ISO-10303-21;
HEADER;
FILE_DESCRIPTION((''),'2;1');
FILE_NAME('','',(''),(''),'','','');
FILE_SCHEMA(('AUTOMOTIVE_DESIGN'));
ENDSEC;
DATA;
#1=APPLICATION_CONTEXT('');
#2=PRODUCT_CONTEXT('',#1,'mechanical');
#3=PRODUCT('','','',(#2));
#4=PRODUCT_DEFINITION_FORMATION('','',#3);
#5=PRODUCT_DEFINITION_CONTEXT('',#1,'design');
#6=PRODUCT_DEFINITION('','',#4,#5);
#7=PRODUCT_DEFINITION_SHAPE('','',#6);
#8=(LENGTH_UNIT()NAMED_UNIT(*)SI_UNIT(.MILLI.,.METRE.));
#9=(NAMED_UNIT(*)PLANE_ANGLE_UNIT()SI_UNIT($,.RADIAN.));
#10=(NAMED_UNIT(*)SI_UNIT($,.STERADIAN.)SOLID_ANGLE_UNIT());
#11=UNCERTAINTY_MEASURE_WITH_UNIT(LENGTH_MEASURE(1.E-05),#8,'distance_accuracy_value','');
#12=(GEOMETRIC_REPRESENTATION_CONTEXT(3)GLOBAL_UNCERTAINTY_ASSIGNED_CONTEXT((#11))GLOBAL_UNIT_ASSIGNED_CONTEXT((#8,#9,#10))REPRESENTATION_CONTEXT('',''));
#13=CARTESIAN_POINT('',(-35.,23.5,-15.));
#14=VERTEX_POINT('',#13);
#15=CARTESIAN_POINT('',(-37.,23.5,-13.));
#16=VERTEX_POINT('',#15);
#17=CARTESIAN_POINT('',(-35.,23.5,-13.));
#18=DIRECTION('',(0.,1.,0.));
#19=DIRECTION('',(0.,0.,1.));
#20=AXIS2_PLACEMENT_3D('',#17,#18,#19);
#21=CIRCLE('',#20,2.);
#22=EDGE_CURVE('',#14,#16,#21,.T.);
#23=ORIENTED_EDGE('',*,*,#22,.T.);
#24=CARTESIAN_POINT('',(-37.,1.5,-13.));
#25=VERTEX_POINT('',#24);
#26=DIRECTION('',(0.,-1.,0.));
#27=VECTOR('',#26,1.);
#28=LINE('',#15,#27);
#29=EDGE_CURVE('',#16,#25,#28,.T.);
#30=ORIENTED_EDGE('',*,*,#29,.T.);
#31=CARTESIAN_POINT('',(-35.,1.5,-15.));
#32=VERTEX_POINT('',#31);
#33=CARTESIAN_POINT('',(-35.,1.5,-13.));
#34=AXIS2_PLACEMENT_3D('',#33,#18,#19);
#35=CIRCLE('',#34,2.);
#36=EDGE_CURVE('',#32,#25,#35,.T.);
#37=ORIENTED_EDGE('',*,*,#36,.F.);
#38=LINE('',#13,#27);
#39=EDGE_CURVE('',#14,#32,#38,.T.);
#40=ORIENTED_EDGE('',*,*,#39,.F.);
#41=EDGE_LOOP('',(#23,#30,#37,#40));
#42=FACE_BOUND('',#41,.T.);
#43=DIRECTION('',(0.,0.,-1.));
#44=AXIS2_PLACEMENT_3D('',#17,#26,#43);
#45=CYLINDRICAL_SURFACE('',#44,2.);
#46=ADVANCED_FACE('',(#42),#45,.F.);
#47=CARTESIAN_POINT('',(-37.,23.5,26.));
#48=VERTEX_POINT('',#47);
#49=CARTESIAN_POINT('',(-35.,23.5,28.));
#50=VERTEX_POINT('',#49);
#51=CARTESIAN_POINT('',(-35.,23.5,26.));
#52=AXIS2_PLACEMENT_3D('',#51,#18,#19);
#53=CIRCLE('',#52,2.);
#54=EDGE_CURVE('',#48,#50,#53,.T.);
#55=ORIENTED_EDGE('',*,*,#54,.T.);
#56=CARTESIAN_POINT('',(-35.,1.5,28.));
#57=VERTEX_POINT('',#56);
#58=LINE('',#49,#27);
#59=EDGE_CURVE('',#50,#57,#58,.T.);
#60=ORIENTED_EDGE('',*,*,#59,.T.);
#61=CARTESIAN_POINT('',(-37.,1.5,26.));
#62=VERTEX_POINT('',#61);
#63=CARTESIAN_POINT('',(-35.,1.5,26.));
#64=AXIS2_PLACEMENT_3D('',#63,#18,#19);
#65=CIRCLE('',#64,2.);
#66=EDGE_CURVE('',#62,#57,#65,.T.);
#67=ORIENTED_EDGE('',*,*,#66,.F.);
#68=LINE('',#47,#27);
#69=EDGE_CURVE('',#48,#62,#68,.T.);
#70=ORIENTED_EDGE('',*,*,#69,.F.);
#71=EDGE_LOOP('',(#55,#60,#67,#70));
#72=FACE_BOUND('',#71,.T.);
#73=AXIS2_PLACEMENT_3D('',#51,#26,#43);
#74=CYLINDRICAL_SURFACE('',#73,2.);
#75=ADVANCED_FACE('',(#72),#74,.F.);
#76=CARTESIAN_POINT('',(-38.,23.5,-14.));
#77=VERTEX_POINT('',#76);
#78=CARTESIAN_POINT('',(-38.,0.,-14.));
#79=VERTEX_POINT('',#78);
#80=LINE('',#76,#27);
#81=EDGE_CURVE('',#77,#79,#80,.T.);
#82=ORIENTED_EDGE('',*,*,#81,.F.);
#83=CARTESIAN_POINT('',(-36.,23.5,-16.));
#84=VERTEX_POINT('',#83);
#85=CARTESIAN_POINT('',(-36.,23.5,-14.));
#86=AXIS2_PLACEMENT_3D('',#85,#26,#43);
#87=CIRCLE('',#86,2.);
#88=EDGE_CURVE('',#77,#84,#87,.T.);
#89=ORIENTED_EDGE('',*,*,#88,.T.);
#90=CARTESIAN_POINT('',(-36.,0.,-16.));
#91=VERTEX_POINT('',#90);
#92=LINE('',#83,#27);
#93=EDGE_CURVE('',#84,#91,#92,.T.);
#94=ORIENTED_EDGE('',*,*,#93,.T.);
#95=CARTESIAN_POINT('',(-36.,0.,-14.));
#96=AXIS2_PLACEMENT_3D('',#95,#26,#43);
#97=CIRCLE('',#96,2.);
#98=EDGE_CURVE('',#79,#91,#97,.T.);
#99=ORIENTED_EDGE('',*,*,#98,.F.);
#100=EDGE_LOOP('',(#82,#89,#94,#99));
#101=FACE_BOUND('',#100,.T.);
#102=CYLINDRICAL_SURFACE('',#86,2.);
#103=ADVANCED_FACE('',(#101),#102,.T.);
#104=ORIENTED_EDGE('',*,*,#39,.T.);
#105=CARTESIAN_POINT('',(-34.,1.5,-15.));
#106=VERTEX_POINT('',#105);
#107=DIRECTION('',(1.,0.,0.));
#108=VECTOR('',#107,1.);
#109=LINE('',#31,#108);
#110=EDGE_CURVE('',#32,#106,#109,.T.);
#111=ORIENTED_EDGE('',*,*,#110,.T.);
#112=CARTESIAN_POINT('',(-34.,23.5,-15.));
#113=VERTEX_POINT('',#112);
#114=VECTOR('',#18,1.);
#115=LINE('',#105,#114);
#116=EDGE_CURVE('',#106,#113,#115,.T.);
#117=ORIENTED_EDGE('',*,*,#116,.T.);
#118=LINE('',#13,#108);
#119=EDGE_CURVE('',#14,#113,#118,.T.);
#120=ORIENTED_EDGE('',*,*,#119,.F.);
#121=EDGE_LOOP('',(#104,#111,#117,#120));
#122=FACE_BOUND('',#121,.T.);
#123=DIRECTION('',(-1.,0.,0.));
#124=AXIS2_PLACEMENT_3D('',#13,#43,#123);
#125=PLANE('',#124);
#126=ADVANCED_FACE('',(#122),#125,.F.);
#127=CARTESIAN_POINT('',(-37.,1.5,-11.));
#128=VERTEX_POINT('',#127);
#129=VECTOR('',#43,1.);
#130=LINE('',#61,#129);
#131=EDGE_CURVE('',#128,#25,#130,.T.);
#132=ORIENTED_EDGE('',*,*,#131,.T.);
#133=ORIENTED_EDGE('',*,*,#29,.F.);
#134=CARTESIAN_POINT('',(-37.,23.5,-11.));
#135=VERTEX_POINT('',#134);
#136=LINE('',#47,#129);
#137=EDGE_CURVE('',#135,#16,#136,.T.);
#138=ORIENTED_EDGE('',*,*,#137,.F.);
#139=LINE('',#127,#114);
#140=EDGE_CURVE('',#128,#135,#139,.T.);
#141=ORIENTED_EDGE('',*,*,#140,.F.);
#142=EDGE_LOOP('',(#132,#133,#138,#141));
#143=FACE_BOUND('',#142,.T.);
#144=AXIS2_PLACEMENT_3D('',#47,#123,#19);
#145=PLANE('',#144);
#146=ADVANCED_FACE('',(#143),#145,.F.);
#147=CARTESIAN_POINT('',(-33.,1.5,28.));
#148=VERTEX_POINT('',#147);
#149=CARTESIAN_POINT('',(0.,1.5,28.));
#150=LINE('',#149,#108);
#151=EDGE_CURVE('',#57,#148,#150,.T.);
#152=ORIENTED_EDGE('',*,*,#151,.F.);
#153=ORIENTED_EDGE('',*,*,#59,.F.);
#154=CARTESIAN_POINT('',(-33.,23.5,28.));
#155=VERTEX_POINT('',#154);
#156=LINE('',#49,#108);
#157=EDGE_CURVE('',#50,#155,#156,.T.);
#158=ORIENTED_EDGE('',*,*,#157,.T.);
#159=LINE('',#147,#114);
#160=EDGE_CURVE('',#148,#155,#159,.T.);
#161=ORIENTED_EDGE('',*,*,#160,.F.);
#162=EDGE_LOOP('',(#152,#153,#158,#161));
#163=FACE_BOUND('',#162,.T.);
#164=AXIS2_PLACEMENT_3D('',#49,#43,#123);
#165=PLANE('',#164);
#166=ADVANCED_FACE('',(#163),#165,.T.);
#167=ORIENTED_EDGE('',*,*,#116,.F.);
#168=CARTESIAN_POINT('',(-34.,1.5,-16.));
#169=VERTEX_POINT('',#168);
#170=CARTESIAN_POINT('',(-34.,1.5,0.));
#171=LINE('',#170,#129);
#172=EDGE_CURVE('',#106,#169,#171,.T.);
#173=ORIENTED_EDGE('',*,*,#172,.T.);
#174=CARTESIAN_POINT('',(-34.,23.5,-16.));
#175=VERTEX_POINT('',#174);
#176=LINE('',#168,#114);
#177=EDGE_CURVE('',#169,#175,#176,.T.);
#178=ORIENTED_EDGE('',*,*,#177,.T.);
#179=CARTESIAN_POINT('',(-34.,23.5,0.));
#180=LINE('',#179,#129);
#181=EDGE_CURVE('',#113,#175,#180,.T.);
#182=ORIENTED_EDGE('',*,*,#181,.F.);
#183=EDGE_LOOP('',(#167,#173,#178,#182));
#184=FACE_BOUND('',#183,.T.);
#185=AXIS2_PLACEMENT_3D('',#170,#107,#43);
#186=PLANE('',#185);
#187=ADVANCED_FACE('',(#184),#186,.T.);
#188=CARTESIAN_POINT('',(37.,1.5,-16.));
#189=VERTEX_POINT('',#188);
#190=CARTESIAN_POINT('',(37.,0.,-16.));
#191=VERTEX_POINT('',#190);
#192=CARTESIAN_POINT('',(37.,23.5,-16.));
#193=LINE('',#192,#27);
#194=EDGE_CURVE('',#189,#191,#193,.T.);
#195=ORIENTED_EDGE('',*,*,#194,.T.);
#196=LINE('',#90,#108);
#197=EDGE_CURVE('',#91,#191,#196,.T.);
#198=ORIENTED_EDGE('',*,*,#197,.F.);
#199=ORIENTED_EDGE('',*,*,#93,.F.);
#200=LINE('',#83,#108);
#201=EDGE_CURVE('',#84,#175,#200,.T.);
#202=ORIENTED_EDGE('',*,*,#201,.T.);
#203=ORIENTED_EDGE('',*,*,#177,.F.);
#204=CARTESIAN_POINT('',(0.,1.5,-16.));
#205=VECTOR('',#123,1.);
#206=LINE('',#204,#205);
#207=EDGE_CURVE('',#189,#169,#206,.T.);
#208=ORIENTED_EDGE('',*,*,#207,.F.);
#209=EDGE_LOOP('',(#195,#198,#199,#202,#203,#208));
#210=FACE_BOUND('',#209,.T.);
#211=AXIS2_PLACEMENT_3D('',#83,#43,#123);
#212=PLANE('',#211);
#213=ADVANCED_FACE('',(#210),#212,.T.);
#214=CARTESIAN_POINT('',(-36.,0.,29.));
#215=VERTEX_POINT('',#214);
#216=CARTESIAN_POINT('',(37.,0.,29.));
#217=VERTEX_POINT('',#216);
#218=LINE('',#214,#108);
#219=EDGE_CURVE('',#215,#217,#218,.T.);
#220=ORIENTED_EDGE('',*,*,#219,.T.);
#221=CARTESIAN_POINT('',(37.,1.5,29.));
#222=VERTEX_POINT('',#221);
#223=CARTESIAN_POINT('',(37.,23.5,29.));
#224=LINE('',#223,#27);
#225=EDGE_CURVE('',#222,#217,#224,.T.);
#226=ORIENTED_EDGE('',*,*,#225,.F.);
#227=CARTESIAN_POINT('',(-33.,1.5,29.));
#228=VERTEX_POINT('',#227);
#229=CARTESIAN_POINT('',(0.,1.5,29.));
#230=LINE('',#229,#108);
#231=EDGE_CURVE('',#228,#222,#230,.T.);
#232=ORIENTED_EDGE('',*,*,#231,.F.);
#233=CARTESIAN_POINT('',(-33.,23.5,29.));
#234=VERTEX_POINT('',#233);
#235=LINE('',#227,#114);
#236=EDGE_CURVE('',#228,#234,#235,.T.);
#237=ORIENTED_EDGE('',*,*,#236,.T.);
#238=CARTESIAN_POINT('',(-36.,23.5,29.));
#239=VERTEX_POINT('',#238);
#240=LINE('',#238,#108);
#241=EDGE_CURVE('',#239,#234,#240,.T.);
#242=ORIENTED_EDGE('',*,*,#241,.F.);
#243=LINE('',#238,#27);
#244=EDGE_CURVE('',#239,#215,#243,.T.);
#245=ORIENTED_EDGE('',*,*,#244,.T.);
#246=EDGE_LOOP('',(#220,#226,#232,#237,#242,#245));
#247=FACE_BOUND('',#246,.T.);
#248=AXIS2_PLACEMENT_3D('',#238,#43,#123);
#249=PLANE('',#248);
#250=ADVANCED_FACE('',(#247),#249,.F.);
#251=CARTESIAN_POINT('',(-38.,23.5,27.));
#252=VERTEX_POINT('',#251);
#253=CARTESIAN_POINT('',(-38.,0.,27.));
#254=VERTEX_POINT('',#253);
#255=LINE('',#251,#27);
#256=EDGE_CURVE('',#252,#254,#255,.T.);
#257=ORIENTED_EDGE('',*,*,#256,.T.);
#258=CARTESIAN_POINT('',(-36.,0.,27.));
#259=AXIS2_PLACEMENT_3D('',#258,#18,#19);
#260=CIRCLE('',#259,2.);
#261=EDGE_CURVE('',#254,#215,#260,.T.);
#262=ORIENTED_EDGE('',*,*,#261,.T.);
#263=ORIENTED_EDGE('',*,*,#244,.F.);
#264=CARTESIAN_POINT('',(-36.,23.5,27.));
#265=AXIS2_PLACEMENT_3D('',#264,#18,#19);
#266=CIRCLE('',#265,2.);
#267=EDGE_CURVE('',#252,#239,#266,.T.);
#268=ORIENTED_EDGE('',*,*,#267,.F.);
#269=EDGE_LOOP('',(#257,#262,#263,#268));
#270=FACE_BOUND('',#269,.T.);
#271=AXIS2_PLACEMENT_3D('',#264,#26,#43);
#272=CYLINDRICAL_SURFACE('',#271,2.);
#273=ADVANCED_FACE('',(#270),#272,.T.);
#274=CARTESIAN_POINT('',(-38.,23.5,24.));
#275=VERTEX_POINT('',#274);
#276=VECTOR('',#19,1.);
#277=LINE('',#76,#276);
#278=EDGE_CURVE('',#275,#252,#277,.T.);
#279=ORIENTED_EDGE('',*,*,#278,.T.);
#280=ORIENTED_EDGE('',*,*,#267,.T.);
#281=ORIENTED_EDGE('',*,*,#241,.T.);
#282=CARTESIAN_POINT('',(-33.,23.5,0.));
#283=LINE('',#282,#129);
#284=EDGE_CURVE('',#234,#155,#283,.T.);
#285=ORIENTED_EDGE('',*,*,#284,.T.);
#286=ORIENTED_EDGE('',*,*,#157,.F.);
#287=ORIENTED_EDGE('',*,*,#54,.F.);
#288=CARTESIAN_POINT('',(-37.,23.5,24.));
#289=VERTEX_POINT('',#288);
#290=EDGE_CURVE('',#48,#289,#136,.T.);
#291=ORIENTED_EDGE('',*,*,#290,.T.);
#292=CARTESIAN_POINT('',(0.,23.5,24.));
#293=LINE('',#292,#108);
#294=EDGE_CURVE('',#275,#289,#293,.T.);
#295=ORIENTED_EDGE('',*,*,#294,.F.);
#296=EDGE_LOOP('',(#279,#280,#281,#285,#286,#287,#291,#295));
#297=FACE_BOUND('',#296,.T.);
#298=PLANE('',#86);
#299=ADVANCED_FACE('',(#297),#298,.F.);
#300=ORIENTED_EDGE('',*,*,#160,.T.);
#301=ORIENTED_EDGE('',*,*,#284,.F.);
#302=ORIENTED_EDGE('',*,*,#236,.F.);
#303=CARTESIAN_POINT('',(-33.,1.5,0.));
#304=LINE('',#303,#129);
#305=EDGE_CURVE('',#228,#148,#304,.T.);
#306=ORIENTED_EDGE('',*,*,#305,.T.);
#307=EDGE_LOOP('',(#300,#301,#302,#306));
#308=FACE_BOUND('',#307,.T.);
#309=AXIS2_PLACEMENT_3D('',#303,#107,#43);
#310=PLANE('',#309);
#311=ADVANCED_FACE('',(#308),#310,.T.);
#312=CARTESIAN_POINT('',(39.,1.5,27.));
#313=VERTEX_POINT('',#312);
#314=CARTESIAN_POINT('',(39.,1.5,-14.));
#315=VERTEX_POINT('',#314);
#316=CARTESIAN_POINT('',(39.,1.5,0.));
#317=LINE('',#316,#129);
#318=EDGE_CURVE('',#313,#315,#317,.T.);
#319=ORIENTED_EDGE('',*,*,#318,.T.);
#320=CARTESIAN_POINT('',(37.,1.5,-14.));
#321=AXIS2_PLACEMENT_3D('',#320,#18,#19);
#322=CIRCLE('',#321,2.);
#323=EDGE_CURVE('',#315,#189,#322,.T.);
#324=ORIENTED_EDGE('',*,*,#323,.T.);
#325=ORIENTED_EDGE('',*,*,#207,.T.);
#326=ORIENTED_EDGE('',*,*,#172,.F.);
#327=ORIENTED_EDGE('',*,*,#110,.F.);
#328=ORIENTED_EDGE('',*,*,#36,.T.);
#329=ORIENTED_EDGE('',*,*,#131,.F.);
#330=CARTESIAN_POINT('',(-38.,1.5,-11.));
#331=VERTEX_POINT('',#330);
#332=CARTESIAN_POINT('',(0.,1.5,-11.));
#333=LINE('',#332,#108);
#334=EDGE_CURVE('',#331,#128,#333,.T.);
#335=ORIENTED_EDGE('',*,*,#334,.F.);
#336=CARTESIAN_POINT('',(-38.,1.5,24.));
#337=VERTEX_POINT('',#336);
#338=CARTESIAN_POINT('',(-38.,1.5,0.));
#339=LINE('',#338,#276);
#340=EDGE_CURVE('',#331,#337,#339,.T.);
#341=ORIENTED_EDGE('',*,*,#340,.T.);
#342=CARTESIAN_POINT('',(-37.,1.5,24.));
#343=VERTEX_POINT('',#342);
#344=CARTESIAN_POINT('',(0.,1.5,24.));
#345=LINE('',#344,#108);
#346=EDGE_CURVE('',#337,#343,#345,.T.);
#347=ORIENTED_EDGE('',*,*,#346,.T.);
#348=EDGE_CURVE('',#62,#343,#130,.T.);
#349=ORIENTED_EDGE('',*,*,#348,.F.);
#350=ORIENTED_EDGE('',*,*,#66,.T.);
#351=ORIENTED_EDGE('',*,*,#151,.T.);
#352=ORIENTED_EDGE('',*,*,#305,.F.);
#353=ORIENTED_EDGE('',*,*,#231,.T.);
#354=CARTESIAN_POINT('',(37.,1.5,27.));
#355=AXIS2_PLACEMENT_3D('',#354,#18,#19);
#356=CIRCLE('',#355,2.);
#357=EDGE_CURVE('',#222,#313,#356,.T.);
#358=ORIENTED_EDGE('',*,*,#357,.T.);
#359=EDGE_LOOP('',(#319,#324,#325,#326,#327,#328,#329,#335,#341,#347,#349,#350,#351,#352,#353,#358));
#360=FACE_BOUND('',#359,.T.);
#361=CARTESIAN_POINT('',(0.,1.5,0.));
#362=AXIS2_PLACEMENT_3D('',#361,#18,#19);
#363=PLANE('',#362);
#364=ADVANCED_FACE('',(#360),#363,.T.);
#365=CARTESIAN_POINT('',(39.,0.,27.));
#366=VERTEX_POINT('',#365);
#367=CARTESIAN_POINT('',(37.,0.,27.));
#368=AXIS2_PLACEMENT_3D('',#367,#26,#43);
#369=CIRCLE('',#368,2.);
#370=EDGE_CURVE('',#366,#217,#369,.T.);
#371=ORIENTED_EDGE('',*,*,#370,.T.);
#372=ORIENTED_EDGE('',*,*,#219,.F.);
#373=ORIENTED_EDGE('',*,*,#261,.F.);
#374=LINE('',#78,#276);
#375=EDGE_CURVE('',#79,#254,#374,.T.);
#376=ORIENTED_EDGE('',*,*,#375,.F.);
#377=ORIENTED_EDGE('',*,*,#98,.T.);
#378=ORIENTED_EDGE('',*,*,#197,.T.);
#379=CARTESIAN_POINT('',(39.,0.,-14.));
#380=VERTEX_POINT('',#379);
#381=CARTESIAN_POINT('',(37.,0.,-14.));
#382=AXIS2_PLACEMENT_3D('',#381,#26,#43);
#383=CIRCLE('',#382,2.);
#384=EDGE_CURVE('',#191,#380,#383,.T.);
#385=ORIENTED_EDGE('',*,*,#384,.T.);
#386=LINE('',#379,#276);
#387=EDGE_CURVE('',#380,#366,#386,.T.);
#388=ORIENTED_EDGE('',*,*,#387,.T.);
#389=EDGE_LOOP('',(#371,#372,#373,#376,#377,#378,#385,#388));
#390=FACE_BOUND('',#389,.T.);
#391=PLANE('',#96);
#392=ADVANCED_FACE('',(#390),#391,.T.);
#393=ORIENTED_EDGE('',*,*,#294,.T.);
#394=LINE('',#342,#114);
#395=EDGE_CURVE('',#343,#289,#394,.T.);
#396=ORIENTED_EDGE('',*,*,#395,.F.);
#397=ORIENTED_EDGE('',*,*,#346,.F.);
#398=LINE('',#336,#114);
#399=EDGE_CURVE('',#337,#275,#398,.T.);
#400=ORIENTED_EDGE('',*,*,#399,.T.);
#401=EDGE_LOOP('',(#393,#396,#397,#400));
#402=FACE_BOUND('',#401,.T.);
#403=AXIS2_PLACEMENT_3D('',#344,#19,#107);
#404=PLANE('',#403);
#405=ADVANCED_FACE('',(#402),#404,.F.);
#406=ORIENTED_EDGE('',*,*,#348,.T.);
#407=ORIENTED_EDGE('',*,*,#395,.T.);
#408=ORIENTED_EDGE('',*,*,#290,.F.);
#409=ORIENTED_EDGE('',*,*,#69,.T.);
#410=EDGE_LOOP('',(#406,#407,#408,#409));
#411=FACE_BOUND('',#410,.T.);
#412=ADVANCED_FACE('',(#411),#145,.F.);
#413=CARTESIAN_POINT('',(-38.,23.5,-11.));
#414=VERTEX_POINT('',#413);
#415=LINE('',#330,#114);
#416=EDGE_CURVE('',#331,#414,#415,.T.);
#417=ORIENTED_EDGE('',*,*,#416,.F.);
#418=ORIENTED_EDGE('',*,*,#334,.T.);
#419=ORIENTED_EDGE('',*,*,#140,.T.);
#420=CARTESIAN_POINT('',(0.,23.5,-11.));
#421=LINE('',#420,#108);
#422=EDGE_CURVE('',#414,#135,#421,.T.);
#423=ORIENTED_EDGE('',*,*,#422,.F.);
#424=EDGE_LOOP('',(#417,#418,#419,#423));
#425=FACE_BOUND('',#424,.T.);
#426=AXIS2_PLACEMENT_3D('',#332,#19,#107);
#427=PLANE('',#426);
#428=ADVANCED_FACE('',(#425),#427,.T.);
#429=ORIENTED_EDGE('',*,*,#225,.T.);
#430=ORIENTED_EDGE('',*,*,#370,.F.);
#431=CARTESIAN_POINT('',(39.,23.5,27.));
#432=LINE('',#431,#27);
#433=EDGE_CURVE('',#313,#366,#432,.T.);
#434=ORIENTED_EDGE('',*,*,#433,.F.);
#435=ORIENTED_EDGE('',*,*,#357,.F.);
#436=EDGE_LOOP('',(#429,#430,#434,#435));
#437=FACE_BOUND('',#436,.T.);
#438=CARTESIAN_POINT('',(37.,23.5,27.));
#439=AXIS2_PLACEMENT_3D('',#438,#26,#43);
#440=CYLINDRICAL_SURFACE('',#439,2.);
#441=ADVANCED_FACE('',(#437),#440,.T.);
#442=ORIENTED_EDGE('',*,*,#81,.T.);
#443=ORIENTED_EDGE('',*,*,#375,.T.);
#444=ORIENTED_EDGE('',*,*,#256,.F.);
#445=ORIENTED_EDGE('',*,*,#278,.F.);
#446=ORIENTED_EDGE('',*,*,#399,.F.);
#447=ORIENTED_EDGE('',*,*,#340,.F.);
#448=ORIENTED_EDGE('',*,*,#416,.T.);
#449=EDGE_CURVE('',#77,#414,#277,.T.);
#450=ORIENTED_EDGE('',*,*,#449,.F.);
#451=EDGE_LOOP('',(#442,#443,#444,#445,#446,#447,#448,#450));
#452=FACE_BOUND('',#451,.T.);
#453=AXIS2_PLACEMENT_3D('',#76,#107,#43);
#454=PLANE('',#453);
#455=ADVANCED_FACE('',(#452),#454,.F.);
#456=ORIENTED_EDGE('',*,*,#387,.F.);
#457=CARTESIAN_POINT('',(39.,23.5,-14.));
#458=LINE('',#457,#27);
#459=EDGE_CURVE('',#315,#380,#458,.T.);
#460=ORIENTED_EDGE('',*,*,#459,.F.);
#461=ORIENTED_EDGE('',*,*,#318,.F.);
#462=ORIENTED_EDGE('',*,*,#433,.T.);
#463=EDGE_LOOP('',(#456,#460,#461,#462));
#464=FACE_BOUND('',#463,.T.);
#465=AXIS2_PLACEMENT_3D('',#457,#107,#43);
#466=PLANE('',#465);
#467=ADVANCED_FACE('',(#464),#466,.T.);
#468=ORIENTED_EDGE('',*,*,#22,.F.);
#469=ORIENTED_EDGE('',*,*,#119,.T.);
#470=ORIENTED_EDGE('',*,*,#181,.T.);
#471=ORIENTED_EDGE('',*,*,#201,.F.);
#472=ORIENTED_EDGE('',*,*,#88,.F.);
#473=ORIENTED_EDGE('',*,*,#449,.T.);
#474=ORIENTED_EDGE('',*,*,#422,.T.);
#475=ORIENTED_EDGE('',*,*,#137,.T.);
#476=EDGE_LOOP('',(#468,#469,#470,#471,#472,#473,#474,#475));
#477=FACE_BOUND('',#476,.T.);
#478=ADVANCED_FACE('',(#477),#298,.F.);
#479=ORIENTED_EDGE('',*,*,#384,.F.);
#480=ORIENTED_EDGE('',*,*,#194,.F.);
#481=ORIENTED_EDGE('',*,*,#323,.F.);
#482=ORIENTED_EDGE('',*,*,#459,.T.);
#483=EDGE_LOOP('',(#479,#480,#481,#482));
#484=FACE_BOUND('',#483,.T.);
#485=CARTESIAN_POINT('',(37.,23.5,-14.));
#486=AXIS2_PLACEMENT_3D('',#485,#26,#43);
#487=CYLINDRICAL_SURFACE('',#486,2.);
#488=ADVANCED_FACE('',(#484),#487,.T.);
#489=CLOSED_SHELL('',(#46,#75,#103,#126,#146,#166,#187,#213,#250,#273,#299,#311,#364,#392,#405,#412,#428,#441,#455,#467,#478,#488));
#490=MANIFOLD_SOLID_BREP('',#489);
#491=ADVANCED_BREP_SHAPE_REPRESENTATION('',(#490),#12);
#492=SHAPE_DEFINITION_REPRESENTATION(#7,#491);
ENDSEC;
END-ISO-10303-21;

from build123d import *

# Parameters (mm, degrees)
EXTRUDE_1_DEPTH     = 23.5
EXTRUDE_2_DEPTH     = 1.5
SKETCH_6_W          = 1
SKETCH_6_H          = 35
SKETCH_6_W_2        = 69
SKETCH_6_H_2        = 1
SKETCH_6_W_3        = 67
SKETCH_6_H_3        = 37
CUT_EXTRUDE_1_DEPTH = 22
CUT_EXTRUDE_START   = -22
CUT_EXTRUDE_2_DEPTH = 22


with BuildPart() as part:
    # Эскиз3 → Бобышка-Вытянуть1 (new body)
    with BuildSketch(Plane(origin=(0, 0, 0), x_dir=(1, 0, 0), z_dir=(0, 1, 0))):
        with BuildLine():
            Line((-36, 16), (37, 16))
            ThreePointArc((37, 16), (38.414213562, 15.414213562), (39, 14))
            Line((39, 14), (39, -27))
            ThreePointArc((39, -27), (38.414213562, -28.414213562), (37, -29))
            Line((37, -29), (-36, -29))
            ThreePointArc((-36, -29), (-37.414213562, -28.414213562), (-38, -27))
            Line((-38, -27), (-38, 14))
            ThreePointArc((-38, 14), (-37.414213562, 15.414213562), (-36, 16))
        make_face()
        with BuildLine():
            Line((-35, -28), (36, -28))
            ThreePointArc((36, -28), (37.414213562, -27.414213562), (38, -26))
            Line((38, -26), (38, 13))
            ThreePointArc((38, 13), (37.414213562, 14.414213562), (36, 15))
            Line((36, 15), (-35, 15))
            ThreePointArc((-35, 15), (-36.414213562, 14.414213562), (-37, 13))
            Line((-37, 13), (-37, -26))
            ThreePointArc((-37, -26), (-36.414213562, -27.414213562), (-35, -28))
        make_face(mode=Mode.SUBTRACT)
    extrude(amount=EXTRUDE_1_DEPTH)

    # Эскиз3<3> → Бобышка-Вытянуть2 (add)
    with BuildSketch(Plane(origin=(0, 0, 0), x_dir=(1, 0, 0), z_dir=(0, 1, 0))):
        with BuildLine():
            Line((35, 16), (-34, 16))
            Line((-34, 16), (-34, 15))
            Line((-34, 15), (-35, 15))
            ThreePointArc((-35, 15), (-36.414213562, 14.414213562), (-37, 13))
            Line((-37, 13), (-37, 11))
            Line((-37, 11), (-38, 11))
            Line((-38, 11), (-38, -24))
            Line((-38, -24), (-37, -24))
            Line((-37, -24), (-37, -26))
            ThreePointArc((-37, -26), (-36.414213562, -27.414213562), (-35, -28))
            Line((-35, -28), (-33, -28))
            Line((-33, -28), (-33, -29))
            Line((-33, -29), (34, -29))
            Line((34, -29), (34, -28))
            Line((34, -28), (36, -28))
            ThreePointArc((36, -28), (37.414213562, -27.414213562), (38, -26))
            Line((38, -26), (38, -25))
            Line((38, -25), (39, -25))
            Line((39, -25), (39, 12))
            Line((39, 12), (38, 12))
            Line((38, 12), (38, 13))
            ThreePointArc((38, 13), (37.414213562, 14.414213562), (36, 15))
            Line((36, 15), (35, 15))
            Line((35, 15), (35, 16))
        make_face()
    extrude(amount=EXTRUDE_2_DEPTH)

    # Эскиз6 → Вырез-Вытянуть1 (cut)
    with BuildSketch(Plane(origin=(0, 23.5, 0), x_dir=(1, 0, 0), z_dir=(0, 1, 0))):
        with Locations((-37.5, -6.5)):
            Rectangle(SKETCH_6_W, SKETCH_6_H)
        with Locations((0.5, 15.5)):
            Rectangle(SKETCH_6_W_2, SKETCH_6_H_2)
        with Locations((0.5, -28.5)):
            Rectangle(SKETCH_6_W_3, SKETCH_6_H_2)
        with Locations((38.5, -6.5)):
            Rectangle(SKETCH_6_W, SKETCH_6_H_3)
    extrude(amount=-CUT_EXTRUDE_1_DEPTH, mode=Mode.SUBTRACT)

    # Эскиз9 → Вырез-Вытянуть2 (cut)
    with BuildSketch(Plane(origin=(0, 23.5, 0), x_dir=(1, 0, 0), z_dir=(0, 1, 0)).offset(CUT_EXTRUDE_START)):
        with BuildLine():
            Line((38, 12), (39, 12))
            Line((39, 12), (39, 14))
            ThreePointArc((39, 14), (38.414213562, 15.414213562), (37, 16))
            Line((37, 16), (35, 16))
            Line((35, 16), (35, 15))
            Line((35, 15), (36, 15))
            ThreePointArc((36, 15), (37.414213562, 14.414213562), (38, 13))
            Line((38, 13), (38, 12))
        make_face()
        with BuildLine():
            Line((39, -27), (39, -25))
            Line((39, -25), (38, -25))
            Line((38, -25), (38, -26))
            ThreePointArc((38, -26), (37.414213562, -27.414213562), (36, -28))
            Line((36, -28), (34, -28))
            Line((34, -28), (34, -29))
            Line((34, -29), (37, -29))
            ThreePointArc((37, -29), (38.414213562, -28.414213562), (39, -27))
        make_face()
    extrude(amount=CUT_EXTRUDE_2_DEPTH, mode=Mode.SUBTRACT)


solid = part.part
